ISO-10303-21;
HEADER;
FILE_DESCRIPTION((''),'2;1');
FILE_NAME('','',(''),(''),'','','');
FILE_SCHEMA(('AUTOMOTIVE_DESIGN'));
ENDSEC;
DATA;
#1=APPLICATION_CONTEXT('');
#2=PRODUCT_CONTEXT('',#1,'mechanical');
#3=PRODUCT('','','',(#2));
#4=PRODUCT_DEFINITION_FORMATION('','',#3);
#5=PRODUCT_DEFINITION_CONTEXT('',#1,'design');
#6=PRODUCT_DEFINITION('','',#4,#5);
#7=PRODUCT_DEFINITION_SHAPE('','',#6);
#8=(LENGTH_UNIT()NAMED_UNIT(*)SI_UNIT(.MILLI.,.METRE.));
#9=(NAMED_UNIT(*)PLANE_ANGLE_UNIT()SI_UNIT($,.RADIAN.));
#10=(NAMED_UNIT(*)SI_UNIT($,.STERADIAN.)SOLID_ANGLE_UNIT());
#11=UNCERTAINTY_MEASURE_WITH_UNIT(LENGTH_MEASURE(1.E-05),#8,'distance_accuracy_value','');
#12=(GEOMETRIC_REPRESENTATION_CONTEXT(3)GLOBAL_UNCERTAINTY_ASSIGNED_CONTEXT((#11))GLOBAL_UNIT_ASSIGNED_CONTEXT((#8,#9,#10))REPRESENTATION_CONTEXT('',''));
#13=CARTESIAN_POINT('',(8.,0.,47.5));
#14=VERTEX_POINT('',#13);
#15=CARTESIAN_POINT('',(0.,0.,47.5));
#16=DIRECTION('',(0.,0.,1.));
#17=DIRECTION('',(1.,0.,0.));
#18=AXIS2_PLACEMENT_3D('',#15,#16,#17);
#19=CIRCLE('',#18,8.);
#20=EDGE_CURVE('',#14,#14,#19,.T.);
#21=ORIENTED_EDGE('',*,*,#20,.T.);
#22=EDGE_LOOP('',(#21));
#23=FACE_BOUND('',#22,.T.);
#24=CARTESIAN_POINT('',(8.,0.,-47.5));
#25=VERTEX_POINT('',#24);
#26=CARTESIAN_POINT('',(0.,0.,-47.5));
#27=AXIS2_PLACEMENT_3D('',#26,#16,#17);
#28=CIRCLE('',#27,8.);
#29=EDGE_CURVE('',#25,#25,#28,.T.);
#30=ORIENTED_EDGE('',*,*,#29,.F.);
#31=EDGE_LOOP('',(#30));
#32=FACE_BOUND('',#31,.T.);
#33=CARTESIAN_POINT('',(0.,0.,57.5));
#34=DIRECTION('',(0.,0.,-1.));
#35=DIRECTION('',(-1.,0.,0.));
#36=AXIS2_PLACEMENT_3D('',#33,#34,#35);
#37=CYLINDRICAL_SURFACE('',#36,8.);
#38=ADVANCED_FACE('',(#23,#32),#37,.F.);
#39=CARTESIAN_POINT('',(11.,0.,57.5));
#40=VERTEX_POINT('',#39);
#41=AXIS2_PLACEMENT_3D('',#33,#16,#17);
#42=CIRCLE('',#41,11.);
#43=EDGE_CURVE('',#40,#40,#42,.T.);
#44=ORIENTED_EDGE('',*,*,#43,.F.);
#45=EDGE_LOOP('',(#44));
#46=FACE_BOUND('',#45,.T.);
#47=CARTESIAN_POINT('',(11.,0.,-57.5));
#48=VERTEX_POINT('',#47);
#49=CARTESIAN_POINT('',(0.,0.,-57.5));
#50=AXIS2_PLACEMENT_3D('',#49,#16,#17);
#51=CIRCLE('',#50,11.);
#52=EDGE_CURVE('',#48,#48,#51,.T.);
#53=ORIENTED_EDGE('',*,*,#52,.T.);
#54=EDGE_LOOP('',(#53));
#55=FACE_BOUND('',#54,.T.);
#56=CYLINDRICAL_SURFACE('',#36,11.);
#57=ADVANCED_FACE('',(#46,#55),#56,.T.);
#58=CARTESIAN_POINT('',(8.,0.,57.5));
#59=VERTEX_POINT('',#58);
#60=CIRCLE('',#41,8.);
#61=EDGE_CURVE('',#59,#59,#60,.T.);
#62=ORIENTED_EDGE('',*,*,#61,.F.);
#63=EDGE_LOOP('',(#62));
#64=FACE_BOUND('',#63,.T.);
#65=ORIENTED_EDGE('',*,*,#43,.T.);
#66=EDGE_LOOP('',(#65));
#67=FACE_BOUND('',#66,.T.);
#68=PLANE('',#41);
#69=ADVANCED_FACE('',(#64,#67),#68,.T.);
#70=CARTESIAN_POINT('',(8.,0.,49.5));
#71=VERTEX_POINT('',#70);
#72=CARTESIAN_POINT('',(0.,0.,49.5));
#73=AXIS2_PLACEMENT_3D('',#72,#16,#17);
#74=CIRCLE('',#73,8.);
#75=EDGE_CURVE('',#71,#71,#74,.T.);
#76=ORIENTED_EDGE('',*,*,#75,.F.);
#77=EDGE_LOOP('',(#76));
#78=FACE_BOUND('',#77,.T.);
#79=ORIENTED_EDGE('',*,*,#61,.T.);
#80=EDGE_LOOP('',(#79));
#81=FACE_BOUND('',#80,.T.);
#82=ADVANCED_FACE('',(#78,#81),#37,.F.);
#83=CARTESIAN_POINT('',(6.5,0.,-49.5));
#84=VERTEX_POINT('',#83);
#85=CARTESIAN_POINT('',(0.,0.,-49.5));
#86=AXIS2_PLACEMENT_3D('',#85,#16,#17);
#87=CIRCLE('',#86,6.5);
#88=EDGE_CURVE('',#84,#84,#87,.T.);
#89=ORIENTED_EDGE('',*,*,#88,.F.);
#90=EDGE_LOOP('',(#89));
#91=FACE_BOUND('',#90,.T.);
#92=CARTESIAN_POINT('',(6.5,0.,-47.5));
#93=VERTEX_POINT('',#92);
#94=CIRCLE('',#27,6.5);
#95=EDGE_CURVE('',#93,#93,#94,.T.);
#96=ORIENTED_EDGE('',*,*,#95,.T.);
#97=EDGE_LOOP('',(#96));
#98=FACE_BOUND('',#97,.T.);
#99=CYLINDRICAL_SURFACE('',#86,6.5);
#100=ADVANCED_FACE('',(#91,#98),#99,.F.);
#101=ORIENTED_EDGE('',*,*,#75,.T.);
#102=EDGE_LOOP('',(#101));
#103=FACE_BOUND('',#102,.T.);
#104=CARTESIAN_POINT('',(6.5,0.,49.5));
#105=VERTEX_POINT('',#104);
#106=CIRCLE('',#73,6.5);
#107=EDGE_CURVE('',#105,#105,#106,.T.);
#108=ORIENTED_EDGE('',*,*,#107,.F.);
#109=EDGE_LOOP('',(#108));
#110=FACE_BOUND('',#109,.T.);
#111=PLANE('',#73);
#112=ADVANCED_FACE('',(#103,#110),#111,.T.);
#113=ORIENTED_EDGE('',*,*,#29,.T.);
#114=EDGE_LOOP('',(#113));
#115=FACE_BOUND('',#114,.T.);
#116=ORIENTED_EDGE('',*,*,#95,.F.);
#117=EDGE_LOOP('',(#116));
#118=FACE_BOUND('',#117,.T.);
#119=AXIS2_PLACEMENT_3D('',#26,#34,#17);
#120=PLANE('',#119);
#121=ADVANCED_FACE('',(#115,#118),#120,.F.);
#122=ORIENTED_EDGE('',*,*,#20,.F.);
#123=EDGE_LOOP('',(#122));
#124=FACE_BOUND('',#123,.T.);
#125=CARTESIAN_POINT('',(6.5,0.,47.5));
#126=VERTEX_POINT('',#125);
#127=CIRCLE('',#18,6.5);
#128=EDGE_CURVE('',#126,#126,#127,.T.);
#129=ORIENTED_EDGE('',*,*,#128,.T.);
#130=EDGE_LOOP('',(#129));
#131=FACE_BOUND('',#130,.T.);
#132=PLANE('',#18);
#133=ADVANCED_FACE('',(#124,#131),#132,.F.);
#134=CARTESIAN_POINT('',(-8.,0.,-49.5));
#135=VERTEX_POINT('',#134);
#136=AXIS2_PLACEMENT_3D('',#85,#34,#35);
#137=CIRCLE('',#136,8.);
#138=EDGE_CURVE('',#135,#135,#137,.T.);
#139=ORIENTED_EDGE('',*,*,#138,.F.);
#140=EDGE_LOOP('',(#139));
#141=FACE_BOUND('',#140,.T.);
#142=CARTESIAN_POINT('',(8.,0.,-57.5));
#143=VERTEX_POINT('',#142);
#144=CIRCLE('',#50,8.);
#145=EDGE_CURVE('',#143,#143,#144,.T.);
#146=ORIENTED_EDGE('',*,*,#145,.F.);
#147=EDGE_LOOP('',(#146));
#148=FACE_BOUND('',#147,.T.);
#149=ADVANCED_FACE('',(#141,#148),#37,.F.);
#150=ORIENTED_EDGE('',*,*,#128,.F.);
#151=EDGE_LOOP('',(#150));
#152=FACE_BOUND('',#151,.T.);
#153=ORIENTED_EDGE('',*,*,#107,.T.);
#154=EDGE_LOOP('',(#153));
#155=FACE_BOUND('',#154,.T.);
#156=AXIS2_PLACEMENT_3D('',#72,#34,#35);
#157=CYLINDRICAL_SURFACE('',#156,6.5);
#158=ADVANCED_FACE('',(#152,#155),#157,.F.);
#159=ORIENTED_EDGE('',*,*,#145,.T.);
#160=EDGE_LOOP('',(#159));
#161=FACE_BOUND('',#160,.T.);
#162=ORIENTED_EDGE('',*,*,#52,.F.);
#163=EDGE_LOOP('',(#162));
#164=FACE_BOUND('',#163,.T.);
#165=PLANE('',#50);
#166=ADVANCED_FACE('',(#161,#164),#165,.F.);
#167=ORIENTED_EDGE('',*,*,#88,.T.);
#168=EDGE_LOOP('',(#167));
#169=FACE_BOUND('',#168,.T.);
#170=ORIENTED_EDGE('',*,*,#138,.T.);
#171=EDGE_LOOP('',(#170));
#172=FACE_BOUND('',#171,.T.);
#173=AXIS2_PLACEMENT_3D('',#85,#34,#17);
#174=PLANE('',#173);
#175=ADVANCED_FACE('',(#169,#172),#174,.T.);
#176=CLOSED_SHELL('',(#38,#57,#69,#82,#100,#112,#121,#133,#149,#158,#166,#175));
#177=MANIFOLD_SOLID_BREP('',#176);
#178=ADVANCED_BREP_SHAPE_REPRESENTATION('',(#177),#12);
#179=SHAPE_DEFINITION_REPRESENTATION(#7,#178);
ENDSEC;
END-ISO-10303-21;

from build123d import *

# Parameters (mm, degrees)
SKETCH1_R           = 11
SKETCH1_R_2         = 8
BOSS_EXTRUDE1_DEPTH = 57.5
BOSS_EXTRUDE2_START = 47.5
SKETCH2_R           = 8
SKETCH2_R_2         = 6.5
BOSS_EXTRUDE2_DEPTH = 2


with BuildPart() as part:
    # Sketch1 → Boss-Extrude1 (new, symmetric)
    with BuildSketch(Plane.XY):
        Circle(SKETCH1_R)
        Circle(SKETCH1_R_2, mode=Mode.SUBTRACT)
    extrude(amount=BOSS_EXTRUDE1_DEPTH, both=True)

    # Sketch2 → Boss-Extrude2 (add)
    with BuildSketch(Plane.XY.offset(BOSS_EXTRUDE2_START)):
        Circle(SKETCH2_R)
        Circle(SKETCH2_R_2, mode=Mode.SUBTRACT)
    boss_extrude2 = extrude(amount=BOSS_EXTRUDE2_DEPTH)

    # Mirror1: Boss-Extrude2 across plane
    add(boss_extrude2.mirror(Plane.XY))


solid = part.part
